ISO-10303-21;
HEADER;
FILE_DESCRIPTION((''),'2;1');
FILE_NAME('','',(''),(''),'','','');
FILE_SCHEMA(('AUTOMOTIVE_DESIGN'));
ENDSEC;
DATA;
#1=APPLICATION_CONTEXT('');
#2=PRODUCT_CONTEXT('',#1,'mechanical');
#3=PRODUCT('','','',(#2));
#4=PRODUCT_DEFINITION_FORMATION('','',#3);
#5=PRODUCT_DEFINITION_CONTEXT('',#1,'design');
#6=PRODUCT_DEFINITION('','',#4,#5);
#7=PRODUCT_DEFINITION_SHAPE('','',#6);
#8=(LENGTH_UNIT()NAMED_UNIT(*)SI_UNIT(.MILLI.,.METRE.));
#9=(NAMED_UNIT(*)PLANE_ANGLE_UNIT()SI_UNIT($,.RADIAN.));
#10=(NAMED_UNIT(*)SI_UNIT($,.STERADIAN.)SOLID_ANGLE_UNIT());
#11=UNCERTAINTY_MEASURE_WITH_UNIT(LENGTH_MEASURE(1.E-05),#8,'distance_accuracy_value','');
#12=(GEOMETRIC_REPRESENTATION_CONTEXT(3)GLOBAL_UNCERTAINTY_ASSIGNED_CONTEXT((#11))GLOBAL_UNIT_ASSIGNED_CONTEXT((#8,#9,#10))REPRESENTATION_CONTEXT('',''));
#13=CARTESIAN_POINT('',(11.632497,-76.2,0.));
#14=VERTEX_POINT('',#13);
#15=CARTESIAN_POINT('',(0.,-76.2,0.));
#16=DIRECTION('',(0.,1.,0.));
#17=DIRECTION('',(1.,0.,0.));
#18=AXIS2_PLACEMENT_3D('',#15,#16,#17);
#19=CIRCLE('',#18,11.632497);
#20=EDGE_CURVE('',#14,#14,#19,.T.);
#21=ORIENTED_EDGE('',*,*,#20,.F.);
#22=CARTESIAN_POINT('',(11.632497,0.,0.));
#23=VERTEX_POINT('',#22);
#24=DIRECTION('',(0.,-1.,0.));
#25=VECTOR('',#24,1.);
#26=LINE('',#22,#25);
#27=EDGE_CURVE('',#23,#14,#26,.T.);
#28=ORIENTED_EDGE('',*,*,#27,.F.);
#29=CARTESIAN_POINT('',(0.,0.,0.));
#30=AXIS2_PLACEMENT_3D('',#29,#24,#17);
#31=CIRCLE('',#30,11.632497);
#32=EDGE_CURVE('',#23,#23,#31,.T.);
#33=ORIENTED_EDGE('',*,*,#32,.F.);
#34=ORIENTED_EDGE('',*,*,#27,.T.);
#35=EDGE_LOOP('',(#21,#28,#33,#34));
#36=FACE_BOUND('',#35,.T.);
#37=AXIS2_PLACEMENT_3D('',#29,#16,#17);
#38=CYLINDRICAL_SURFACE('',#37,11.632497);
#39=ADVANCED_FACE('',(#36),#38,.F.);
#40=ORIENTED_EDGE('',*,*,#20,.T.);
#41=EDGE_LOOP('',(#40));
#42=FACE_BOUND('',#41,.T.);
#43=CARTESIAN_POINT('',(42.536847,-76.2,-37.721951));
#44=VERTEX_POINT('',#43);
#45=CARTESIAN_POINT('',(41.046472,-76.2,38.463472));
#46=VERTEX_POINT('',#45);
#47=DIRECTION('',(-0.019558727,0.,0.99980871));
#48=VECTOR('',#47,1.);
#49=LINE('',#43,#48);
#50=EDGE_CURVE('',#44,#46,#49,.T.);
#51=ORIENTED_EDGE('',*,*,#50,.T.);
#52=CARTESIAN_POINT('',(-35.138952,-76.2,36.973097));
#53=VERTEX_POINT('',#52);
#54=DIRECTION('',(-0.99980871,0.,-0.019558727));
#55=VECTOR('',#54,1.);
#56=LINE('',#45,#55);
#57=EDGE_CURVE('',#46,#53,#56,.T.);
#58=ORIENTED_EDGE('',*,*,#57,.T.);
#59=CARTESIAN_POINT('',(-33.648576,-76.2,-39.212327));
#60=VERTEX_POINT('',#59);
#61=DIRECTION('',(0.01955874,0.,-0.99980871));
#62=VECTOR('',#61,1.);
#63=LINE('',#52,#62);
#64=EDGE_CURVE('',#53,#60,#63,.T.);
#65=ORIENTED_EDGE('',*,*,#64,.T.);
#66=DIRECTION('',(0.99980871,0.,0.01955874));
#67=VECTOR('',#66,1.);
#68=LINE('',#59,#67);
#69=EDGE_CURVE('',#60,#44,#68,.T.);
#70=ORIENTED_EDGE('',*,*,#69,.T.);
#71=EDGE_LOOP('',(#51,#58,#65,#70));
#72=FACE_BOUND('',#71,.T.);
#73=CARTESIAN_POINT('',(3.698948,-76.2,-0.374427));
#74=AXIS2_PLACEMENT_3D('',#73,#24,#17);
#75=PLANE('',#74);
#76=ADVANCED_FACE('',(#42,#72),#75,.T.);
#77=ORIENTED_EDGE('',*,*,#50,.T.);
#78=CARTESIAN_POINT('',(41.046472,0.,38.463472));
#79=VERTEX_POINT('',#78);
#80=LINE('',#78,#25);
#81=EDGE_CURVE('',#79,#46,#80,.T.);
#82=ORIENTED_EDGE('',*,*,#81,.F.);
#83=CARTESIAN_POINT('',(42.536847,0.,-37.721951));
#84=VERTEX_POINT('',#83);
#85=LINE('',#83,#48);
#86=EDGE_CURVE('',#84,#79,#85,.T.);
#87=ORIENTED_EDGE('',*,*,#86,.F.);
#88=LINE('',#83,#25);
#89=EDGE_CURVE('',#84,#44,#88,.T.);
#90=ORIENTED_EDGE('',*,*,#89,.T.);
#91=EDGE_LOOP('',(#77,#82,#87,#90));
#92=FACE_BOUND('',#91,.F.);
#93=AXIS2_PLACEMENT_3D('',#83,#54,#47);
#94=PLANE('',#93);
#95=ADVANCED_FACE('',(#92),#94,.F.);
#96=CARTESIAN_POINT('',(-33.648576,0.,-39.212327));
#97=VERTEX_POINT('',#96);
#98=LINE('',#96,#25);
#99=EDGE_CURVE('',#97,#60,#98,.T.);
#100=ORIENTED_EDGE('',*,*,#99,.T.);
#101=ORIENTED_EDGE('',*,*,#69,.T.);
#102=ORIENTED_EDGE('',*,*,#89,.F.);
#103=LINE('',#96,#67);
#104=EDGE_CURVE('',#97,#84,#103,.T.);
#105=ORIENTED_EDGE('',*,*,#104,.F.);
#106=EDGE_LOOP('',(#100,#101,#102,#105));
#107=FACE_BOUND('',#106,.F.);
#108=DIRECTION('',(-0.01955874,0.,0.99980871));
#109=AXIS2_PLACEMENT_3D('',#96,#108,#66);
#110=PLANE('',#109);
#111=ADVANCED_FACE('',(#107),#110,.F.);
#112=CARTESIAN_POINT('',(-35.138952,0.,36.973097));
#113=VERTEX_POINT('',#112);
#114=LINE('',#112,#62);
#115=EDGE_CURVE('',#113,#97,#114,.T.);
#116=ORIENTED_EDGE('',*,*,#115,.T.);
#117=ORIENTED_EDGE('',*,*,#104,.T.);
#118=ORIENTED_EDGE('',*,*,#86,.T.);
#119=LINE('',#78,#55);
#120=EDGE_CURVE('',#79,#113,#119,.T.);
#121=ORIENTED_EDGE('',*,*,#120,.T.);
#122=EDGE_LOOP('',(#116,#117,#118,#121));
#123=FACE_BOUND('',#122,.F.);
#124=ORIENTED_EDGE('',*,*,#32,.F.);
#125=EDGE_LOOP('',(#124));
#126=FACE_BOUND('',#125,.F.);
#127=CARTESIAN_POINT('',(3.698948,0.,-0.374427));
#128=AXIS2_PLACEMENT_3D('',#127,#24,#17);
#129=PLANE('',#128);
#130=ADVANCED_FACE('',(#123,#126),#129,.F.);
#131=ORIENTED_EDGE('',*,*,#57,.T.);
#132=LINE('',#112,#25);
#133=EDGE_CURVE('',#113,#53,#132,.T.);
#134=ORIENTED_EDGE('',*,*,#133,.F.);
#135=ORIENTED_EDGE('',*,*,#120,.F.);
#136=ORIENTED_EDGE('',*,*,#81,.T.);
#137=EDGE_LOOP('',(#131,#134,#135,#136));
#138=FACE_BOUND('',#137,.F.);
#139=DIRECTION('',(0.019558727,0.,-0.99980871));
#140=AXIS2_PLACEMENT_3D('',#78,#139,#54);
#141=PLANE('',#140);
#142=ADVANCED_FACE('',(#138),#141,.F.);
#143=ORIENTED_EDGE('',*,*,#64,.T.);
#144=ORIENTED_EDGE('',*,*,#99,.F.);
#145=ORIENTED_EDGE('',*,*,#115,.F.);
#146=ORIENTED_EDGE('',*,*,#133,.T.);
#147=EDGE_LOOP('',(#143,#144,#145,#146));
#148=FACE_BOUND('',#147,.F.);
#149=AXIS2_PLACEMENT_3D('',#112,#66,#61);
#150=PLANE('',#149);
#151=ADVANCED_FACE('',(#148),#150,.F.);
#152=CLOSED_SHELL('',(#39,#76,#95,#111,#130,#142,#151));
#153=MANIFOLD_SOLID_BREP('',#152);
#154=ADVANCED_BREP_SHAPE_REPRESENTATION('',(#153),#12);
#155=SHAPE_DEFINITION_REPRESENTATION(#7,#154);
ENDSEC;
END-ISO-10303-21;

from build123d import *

# Parameters (mm, degrees)
F1_DEPTH = 76.2
F2_R     = 11.632497
F3_DEPTH = 84.582


with BuildPart() as f1:
    # F0 (on Front) → F1 (new body)
    with BuildSketch(Plane.XZ):
        Polygon((41.046472, 38.463472), (-35.138952, 36.973097), (-33.648576, -39.212327), (42.536847, -37.721951), align=None)
    extrude(amount=F1_DEPTH)

    # F2 (on Front) → F3 (cut)
    with BuildSketch(Plane.XZ):
        Circle(F2_R)
    extrude(amount=F3_DEPTH, mode=Mode.SUBTRACT)


solid = f1.part
